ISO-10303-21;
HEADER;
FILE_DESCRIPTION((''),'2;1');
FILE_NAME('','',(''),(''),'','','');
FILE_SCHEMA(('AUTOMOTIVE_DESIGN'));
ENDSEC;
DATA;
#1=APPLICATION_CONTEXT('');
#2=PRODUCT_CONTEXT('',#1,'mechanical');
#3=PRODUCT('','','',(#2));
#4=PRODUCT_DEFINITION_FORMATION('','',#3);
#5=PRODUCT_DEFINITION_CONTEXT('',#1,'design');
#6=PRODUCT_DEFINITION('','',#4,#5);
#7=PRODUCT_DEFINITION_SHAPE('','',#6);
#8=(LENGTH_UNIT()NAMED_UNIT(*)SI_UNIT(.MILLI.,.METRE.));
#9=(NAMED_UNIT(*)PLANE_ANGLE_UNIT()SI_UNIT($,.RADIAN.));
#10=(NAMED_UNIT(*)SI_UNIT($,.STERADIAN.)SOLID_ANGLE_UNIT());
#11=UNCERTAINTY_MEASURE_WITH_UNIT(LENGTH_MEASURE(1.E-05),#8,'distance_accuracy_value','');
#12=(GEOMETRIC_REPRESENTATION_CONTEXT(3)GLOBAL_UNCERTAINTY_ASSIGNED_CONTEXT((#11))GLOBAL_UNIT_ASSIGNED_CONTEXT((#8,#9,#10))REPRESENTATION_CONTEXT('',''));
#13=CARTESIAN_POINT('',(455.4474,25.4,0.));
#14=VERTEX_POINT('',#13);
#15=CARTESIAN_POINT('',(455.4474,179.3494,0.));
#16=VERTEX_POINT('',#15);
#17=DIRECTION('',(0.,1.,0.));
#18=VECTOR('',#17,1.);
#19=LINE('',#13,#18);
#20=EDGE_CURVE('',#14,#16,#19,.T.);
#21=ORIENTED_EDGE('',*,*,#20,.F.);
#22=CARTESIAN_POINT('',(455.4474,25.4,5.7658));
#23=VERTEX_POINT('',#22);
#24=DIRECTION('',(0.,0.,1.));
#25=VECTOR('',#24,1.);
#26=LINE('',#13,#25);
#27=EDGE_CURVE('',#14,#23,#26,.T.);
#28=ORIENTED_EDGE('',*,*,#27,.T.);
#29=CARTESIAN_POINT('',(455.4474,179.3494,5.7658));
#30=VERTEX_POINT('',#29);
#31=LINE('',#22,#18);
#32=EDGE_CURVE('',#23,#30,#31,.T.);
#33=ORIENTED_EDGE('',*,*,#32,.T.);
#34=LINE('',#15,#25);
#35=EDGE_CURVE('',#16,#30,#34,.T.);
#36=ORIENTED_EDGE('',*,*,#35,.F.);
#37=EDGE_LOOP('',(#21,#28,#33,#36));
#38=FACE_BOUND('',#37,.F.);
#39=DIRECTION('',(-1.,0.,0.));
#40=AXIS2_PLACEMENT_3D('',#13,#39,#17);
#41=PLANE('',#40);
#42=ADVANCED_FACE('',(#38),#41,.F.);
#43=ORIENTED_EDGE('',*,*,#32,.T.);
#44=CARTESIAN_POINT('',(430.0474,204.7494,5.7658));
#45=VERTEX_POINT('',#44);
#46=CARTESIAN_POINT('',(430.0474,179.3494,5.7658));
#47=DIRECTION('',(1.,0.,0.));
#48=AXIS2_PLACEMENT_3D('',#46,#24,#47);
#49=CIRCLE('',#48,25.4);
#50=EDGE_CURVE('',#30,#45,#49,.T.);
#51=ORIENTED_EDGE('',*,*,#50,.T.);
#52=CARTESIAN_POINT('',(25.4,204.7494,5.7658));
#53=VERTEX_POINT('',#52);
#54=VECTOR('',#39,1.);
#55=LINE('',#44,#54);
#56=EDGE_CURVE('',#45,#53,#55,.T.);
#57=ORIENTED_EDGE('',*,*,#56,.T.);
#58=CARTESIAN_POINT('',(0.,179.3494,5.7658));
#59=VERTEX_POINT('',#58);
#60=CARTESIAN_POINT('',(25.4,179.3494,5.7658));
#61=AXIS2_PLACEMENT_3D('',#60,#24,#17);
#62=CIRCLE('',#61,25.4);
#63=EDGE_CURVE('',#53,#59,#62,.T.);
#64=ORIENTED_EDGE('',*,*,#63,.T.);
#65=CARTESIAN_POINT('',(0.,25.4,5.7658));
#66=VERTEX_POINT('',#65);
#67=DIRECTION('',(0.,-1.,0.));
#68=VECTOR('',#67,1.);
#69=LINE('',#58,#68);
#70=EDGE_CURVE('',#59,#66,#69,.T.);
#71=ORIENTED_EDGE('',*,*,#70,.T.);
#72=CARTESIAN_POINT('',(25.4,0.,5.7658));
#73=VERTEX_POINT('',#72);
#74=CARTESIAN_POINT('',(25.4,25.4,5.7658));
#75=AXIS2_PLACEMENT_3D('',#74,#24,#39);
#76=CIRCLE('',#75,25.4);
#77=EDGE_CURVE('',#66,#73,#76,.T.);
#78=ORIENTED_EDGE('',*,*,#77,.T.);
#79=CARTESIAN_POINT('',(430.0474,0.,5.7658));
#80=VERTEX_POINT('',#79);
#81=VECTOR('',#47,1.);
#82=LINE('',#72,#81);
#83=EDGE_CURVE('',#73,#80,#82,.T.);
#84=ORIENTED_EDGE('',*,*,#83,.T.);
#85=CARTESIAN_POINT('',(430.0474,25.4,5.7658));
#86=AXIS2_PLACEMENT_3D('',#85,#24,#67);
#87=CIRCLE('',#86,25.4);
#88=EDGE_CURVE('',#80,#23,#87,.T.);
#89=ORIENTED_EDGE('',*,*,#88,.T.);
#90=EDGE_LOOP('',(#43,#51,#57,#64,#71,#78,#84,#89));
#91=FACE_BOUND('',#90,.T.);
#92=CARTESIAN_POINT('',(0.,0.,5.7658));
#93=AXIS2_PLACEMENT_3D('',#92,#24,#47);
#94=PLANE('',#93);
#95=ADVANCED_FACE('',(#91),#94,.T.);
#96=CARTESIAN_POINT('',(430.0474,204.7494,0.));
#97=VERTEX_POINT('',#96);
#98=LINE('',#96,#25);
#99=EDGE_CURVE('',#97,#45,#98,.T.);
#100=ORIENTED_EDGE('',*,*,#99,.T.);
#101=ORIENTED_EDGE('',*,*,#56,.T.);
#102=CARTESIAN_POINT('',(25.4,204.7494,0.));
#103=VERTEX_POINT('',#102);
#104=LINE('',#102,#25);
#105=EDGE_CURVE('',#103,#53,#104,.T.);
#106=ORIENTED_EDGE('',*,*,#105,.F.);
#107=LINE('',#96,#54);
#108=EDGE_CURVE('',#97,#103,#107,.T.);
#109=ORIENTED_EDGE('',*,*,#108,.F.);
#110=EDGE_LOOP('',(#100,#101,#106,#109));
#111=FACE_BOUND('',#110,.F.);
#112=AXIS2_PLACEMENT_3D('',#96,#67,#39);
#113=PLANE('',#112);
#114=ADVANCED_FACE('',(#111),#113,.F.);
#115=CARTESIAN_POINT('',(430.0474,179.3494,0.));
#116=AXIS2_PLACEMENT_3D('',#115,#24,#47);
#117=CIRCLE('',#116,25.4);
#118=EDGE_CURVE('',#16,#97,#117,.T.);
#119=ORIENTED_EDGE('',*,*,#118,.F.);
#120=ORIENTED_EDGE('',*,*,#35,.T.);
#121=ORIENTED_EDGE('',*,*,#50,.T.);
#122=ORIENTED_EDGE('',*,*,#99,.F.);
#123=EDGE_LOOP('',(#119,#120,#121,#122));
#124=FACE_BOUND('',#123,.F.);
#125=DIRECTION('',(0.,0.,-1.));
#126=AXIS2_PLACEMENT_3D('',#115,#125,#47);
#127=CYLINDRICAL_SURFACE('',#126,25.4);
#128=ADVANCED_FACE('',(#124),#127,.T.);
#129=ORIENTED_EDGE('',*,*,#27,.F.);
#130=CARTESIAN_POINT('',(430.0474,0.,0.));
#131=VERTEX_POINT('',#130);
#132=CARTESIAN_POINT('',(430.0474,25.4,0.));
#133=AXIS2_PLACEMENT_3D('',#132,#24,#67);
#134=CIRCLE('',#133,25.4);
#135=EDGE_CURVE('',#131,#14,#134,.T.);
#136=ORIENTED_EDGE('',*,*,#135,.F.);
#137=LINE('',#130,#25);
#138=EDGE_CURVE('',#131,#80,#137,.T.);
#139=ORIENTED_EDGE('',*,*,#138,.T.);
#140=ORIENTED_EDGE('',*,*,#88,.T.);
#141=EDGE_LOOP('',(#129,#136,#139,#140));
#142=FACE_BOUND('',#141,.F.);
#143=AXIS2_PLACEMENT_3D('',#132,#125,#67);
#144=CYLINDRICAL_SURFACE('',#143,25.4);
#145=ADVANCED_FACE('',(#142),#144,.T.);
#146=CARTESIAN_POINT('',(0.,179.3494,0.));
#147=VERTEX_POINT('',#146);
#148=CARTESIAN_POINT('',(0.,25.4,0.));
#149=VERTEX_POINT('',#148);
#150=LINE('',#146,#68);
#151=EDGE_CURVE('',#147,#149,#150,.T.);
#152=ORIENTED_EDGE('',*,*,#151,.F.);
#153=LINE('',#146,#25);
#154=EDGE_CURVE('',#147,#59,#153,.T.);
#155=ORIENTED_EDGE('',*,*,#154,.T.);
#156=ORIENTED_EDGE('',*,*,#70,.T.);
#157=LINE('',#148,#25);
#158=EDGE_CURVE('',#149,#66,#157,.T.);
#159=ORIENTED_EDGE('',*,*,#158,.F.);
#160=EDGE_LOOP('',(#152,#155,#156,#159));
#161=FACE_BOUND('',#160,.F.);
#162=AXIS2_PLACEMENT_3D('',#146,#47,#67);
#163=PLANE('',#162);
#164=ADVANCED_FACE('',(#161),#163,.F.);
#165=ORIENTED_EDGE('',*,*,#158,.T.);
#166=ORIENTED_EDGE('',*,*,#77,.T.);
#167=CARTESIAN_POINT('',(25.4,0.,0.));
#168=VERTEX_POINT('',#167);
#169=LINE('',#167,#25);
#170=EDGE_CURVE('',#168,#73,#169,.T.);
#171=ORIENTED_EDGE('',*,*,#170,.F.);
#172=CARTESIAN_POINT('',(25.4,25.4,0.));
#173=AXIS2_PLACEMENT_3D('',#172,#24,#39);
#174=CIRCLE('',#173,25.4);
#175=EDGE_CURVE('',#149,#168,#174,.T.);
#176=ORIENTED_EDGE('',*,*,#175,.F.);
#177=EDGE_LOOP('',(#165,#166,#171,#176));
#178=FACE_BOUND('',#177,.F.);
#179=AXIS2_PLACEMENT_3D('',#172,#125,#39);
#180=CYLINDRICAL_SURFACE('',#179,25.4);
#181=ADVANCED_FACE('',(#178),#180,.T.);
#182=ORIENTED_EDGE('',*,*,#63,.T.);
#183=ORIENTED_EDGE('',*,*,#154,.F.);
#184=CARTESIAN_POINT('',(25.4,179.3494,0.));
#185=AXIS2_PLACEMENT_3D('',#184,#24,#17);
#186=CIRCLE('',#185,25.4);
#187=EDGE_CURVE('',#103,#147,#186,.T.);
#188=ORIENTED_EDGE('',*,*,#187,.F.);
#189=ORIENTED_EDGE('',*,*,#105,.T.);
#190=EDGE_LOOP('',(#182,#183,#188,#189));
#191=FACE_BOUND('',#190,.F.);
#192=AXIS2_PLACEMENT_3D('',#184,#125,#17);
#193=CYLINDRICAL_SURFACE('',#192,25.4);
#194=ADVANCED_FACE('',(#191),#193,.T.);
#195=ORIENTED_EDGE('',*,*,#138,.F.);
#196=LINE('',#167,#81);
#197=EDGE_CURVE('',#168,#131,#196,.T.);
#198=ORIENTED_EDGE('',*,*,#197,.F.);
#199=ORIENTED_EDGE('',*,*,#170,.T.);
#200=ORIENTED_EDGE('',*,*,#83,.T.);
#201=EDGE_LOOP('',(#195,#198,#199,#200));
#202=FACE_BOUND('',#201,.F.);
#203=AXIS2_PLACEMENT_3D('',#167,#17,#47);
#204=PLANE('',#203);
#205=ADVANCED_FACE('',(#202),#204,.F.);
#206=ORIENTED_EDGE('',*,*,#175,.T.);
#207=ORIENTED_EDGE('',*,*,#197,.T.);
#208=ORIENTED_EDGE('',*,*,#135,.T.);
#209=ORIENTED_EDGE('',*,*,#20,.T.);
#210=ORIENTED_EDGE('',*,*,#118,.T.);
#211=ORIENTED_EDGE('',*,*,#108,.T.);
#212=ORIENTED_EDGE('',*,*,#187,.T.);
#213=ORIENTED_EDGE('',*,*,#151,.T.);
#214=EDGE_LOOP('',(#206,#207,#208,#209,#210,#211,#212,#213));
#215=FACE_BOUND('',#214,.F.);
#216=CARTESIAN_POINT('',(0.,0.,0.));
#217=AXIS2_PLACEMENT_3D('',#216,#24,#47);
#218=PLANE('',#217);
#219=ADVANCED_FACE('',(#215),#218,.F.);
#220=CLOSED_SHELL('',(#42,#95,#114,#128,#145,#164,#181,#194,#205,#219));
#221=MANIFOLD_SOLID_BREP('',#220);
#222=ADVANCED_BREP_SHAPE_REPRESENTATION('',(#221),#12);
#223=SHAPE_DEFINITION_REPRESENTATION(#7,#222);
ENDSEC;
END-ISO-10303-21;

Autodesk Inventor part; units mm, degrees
ref_plane "YZ Plane" through (0, 0, 0) normal (1, 0, 0) x (0, 1, 0)
ref_plane "XZ Plane" through (0, 0, 0) normal (0, 1, 0) x (-1, 0, 0)
ref_plane "XY Plane" through (0, 0, 0) normal (0, 0, 1) x (1, 0, 0)
sketch "Sketch1" plane through (0, 0, 0) normal (0, 0, 1) x (1, 0, 0)
  line L0 (25.4, 0) -> (430.0474, 0)
  line L1 (455.4474, 25.4) -> (455.4474, 179.3494)
  line L2 (430.0474, 204.7494) -> (25.4, 204.7494)
  line L3 (0, 179.3494) -> (0, 25.4)
  arc A0 (25.4, 204.7494) -> (0, 179.3494) centre (25.4, 179.3494) ccw
  arc A1 (455.4474, 179.3494) -> (430.0474, 204.7494) centre (430.0474, 179.3494) ccw
  arc A2 (430.0474, 0) -> (455.4474, 25.4) centre (430.0474, 25.4) ccw
  arc A3 (0, 25.4) -> (25.4, 0) centre (25.4, 25.4) ccw
  point P0 (0, 0)
  point P1 (455.4474, 204.7494)
  point P2 (0, 204.7494)
  dimension "d0" = 455.4474
  dimension "d1" = 204.7494
  dimension "d2" = 25.4
extrude "Extrusion1" add sketch "Sketch1" along normal blind 5.7658
properties part number "Wind Tunnel Test Section Door Inner" material "Polycarbonate, Clear"
